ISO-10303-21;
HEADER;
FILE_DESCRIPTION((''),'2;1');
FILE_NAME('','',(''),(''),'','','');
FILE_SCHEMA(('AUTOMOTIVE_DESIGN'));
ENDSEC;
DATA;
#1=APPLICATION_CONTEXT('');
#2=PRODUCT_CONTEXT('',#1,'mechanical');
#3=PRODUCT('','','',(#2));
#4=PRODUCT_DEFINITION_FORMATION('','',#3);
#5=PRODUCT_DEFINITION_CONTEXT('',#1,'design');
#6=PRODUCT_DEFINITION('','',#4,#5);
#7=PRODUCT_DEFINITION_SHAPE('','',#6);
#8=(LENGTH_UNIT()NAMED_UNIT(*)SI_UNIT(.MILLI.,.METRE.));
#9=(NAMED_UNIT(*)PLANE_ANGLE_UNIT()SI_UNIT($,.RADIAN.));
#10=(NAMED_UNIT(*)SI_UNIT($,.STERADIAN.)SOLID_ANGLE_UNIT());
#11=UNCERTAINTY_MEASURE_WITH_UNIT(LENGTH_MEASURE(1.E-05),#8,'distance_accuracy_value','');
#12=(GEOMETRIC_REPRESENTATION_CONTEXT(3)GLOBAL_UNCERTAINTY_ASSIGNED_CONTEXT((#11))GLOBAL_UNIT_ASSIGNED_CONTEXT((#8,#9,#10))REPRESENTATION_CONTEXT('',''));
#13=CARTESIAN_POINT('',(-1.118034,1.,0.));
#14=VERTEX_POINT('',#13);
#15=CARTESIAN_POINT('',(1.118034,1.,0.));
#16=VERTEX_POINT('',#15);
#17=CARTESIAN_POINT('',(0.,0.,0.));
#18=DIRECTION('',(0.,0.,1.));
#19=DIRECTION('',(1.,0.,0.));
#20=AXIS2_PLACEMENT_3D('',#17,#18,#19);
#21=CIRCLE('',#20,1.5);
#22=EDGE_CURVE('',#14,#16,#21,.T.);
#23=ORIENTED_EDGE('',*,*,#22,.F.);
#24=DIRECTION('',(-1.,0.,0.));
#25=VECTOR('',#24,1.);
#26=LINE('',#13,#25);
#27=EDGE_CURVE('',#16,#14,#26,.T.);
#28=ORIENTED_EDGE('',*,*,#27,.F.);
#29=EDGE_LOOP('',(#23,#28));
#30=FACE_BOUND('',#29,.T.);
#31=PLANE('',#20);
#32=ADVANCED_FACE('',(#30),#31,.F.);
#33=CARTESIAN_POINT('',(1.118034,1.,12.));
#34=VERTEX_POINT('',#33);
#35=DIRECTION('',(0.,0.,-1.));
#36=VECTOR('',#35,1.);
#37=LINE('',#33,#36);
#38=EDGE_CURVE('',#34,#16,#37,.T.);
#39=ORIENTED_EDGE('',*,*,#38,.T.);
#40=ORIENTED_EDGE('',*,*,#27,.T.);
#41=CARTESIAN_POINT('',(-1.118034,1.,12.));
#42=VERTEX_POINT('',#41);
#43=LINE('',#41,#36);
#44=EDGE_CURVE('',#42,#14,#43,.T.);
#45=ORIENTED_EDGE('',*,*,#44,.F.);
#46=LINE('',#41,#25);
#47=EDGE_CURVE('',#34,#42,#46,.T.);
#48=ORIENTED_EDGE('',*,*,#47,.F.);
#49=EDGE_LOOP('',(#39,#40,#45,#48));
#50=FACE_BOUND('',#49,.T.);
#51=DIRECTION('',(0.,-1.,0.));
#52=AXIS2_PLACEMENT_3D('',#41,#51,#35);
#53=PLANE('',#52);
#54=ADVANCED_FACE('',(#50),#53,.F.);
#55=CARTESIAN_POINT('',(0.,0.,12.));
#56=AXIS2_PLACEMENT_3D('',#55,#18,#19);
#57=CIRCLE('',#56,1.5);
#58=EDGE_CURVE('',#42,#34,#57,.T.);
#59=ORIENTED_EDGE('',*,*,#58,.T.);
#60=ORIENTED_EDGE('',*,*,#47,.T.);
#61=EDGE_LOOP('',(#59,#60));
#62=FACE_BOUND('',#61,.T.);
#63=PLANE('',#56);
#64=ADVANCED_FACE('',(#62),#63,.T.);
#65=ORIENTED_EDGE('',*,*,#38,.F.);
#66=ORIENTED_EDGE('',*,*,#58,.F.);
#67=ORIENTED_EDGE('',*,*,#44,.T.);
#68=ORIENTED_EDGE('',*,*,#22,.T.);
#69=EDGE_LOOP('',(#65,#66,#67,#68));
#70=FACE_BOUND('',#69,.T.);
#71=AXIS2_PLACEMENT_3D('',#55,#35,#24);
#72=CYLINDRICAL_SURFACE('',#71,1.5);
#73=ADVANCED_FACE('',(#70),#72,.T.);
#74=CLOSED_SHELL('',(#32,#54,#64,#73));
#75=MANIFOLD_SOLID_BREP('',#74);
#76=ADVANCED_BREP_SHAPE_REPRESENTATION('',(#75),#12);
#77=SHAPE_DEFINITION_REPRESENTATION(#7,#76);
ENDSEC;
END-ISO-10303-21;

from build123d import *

# Parameters (mm, degrees)
EXTRUDE_1_DEPTH = 12


with BuildPart() as part:
    # 草图1 → 凸台-拉伸1 (new body)
    with BuildSketch(Plane.XY):
        with BuildLine():
            Line((-1.118033989, 1), (1.118033989, 1))
            ThreePointArc((1.118033989, 1), (0, -1.5), (-1.118033989, 1))
        make_face()
    extrude(amount=EXTRUDE_1_DEPTH)


solid = part.part
